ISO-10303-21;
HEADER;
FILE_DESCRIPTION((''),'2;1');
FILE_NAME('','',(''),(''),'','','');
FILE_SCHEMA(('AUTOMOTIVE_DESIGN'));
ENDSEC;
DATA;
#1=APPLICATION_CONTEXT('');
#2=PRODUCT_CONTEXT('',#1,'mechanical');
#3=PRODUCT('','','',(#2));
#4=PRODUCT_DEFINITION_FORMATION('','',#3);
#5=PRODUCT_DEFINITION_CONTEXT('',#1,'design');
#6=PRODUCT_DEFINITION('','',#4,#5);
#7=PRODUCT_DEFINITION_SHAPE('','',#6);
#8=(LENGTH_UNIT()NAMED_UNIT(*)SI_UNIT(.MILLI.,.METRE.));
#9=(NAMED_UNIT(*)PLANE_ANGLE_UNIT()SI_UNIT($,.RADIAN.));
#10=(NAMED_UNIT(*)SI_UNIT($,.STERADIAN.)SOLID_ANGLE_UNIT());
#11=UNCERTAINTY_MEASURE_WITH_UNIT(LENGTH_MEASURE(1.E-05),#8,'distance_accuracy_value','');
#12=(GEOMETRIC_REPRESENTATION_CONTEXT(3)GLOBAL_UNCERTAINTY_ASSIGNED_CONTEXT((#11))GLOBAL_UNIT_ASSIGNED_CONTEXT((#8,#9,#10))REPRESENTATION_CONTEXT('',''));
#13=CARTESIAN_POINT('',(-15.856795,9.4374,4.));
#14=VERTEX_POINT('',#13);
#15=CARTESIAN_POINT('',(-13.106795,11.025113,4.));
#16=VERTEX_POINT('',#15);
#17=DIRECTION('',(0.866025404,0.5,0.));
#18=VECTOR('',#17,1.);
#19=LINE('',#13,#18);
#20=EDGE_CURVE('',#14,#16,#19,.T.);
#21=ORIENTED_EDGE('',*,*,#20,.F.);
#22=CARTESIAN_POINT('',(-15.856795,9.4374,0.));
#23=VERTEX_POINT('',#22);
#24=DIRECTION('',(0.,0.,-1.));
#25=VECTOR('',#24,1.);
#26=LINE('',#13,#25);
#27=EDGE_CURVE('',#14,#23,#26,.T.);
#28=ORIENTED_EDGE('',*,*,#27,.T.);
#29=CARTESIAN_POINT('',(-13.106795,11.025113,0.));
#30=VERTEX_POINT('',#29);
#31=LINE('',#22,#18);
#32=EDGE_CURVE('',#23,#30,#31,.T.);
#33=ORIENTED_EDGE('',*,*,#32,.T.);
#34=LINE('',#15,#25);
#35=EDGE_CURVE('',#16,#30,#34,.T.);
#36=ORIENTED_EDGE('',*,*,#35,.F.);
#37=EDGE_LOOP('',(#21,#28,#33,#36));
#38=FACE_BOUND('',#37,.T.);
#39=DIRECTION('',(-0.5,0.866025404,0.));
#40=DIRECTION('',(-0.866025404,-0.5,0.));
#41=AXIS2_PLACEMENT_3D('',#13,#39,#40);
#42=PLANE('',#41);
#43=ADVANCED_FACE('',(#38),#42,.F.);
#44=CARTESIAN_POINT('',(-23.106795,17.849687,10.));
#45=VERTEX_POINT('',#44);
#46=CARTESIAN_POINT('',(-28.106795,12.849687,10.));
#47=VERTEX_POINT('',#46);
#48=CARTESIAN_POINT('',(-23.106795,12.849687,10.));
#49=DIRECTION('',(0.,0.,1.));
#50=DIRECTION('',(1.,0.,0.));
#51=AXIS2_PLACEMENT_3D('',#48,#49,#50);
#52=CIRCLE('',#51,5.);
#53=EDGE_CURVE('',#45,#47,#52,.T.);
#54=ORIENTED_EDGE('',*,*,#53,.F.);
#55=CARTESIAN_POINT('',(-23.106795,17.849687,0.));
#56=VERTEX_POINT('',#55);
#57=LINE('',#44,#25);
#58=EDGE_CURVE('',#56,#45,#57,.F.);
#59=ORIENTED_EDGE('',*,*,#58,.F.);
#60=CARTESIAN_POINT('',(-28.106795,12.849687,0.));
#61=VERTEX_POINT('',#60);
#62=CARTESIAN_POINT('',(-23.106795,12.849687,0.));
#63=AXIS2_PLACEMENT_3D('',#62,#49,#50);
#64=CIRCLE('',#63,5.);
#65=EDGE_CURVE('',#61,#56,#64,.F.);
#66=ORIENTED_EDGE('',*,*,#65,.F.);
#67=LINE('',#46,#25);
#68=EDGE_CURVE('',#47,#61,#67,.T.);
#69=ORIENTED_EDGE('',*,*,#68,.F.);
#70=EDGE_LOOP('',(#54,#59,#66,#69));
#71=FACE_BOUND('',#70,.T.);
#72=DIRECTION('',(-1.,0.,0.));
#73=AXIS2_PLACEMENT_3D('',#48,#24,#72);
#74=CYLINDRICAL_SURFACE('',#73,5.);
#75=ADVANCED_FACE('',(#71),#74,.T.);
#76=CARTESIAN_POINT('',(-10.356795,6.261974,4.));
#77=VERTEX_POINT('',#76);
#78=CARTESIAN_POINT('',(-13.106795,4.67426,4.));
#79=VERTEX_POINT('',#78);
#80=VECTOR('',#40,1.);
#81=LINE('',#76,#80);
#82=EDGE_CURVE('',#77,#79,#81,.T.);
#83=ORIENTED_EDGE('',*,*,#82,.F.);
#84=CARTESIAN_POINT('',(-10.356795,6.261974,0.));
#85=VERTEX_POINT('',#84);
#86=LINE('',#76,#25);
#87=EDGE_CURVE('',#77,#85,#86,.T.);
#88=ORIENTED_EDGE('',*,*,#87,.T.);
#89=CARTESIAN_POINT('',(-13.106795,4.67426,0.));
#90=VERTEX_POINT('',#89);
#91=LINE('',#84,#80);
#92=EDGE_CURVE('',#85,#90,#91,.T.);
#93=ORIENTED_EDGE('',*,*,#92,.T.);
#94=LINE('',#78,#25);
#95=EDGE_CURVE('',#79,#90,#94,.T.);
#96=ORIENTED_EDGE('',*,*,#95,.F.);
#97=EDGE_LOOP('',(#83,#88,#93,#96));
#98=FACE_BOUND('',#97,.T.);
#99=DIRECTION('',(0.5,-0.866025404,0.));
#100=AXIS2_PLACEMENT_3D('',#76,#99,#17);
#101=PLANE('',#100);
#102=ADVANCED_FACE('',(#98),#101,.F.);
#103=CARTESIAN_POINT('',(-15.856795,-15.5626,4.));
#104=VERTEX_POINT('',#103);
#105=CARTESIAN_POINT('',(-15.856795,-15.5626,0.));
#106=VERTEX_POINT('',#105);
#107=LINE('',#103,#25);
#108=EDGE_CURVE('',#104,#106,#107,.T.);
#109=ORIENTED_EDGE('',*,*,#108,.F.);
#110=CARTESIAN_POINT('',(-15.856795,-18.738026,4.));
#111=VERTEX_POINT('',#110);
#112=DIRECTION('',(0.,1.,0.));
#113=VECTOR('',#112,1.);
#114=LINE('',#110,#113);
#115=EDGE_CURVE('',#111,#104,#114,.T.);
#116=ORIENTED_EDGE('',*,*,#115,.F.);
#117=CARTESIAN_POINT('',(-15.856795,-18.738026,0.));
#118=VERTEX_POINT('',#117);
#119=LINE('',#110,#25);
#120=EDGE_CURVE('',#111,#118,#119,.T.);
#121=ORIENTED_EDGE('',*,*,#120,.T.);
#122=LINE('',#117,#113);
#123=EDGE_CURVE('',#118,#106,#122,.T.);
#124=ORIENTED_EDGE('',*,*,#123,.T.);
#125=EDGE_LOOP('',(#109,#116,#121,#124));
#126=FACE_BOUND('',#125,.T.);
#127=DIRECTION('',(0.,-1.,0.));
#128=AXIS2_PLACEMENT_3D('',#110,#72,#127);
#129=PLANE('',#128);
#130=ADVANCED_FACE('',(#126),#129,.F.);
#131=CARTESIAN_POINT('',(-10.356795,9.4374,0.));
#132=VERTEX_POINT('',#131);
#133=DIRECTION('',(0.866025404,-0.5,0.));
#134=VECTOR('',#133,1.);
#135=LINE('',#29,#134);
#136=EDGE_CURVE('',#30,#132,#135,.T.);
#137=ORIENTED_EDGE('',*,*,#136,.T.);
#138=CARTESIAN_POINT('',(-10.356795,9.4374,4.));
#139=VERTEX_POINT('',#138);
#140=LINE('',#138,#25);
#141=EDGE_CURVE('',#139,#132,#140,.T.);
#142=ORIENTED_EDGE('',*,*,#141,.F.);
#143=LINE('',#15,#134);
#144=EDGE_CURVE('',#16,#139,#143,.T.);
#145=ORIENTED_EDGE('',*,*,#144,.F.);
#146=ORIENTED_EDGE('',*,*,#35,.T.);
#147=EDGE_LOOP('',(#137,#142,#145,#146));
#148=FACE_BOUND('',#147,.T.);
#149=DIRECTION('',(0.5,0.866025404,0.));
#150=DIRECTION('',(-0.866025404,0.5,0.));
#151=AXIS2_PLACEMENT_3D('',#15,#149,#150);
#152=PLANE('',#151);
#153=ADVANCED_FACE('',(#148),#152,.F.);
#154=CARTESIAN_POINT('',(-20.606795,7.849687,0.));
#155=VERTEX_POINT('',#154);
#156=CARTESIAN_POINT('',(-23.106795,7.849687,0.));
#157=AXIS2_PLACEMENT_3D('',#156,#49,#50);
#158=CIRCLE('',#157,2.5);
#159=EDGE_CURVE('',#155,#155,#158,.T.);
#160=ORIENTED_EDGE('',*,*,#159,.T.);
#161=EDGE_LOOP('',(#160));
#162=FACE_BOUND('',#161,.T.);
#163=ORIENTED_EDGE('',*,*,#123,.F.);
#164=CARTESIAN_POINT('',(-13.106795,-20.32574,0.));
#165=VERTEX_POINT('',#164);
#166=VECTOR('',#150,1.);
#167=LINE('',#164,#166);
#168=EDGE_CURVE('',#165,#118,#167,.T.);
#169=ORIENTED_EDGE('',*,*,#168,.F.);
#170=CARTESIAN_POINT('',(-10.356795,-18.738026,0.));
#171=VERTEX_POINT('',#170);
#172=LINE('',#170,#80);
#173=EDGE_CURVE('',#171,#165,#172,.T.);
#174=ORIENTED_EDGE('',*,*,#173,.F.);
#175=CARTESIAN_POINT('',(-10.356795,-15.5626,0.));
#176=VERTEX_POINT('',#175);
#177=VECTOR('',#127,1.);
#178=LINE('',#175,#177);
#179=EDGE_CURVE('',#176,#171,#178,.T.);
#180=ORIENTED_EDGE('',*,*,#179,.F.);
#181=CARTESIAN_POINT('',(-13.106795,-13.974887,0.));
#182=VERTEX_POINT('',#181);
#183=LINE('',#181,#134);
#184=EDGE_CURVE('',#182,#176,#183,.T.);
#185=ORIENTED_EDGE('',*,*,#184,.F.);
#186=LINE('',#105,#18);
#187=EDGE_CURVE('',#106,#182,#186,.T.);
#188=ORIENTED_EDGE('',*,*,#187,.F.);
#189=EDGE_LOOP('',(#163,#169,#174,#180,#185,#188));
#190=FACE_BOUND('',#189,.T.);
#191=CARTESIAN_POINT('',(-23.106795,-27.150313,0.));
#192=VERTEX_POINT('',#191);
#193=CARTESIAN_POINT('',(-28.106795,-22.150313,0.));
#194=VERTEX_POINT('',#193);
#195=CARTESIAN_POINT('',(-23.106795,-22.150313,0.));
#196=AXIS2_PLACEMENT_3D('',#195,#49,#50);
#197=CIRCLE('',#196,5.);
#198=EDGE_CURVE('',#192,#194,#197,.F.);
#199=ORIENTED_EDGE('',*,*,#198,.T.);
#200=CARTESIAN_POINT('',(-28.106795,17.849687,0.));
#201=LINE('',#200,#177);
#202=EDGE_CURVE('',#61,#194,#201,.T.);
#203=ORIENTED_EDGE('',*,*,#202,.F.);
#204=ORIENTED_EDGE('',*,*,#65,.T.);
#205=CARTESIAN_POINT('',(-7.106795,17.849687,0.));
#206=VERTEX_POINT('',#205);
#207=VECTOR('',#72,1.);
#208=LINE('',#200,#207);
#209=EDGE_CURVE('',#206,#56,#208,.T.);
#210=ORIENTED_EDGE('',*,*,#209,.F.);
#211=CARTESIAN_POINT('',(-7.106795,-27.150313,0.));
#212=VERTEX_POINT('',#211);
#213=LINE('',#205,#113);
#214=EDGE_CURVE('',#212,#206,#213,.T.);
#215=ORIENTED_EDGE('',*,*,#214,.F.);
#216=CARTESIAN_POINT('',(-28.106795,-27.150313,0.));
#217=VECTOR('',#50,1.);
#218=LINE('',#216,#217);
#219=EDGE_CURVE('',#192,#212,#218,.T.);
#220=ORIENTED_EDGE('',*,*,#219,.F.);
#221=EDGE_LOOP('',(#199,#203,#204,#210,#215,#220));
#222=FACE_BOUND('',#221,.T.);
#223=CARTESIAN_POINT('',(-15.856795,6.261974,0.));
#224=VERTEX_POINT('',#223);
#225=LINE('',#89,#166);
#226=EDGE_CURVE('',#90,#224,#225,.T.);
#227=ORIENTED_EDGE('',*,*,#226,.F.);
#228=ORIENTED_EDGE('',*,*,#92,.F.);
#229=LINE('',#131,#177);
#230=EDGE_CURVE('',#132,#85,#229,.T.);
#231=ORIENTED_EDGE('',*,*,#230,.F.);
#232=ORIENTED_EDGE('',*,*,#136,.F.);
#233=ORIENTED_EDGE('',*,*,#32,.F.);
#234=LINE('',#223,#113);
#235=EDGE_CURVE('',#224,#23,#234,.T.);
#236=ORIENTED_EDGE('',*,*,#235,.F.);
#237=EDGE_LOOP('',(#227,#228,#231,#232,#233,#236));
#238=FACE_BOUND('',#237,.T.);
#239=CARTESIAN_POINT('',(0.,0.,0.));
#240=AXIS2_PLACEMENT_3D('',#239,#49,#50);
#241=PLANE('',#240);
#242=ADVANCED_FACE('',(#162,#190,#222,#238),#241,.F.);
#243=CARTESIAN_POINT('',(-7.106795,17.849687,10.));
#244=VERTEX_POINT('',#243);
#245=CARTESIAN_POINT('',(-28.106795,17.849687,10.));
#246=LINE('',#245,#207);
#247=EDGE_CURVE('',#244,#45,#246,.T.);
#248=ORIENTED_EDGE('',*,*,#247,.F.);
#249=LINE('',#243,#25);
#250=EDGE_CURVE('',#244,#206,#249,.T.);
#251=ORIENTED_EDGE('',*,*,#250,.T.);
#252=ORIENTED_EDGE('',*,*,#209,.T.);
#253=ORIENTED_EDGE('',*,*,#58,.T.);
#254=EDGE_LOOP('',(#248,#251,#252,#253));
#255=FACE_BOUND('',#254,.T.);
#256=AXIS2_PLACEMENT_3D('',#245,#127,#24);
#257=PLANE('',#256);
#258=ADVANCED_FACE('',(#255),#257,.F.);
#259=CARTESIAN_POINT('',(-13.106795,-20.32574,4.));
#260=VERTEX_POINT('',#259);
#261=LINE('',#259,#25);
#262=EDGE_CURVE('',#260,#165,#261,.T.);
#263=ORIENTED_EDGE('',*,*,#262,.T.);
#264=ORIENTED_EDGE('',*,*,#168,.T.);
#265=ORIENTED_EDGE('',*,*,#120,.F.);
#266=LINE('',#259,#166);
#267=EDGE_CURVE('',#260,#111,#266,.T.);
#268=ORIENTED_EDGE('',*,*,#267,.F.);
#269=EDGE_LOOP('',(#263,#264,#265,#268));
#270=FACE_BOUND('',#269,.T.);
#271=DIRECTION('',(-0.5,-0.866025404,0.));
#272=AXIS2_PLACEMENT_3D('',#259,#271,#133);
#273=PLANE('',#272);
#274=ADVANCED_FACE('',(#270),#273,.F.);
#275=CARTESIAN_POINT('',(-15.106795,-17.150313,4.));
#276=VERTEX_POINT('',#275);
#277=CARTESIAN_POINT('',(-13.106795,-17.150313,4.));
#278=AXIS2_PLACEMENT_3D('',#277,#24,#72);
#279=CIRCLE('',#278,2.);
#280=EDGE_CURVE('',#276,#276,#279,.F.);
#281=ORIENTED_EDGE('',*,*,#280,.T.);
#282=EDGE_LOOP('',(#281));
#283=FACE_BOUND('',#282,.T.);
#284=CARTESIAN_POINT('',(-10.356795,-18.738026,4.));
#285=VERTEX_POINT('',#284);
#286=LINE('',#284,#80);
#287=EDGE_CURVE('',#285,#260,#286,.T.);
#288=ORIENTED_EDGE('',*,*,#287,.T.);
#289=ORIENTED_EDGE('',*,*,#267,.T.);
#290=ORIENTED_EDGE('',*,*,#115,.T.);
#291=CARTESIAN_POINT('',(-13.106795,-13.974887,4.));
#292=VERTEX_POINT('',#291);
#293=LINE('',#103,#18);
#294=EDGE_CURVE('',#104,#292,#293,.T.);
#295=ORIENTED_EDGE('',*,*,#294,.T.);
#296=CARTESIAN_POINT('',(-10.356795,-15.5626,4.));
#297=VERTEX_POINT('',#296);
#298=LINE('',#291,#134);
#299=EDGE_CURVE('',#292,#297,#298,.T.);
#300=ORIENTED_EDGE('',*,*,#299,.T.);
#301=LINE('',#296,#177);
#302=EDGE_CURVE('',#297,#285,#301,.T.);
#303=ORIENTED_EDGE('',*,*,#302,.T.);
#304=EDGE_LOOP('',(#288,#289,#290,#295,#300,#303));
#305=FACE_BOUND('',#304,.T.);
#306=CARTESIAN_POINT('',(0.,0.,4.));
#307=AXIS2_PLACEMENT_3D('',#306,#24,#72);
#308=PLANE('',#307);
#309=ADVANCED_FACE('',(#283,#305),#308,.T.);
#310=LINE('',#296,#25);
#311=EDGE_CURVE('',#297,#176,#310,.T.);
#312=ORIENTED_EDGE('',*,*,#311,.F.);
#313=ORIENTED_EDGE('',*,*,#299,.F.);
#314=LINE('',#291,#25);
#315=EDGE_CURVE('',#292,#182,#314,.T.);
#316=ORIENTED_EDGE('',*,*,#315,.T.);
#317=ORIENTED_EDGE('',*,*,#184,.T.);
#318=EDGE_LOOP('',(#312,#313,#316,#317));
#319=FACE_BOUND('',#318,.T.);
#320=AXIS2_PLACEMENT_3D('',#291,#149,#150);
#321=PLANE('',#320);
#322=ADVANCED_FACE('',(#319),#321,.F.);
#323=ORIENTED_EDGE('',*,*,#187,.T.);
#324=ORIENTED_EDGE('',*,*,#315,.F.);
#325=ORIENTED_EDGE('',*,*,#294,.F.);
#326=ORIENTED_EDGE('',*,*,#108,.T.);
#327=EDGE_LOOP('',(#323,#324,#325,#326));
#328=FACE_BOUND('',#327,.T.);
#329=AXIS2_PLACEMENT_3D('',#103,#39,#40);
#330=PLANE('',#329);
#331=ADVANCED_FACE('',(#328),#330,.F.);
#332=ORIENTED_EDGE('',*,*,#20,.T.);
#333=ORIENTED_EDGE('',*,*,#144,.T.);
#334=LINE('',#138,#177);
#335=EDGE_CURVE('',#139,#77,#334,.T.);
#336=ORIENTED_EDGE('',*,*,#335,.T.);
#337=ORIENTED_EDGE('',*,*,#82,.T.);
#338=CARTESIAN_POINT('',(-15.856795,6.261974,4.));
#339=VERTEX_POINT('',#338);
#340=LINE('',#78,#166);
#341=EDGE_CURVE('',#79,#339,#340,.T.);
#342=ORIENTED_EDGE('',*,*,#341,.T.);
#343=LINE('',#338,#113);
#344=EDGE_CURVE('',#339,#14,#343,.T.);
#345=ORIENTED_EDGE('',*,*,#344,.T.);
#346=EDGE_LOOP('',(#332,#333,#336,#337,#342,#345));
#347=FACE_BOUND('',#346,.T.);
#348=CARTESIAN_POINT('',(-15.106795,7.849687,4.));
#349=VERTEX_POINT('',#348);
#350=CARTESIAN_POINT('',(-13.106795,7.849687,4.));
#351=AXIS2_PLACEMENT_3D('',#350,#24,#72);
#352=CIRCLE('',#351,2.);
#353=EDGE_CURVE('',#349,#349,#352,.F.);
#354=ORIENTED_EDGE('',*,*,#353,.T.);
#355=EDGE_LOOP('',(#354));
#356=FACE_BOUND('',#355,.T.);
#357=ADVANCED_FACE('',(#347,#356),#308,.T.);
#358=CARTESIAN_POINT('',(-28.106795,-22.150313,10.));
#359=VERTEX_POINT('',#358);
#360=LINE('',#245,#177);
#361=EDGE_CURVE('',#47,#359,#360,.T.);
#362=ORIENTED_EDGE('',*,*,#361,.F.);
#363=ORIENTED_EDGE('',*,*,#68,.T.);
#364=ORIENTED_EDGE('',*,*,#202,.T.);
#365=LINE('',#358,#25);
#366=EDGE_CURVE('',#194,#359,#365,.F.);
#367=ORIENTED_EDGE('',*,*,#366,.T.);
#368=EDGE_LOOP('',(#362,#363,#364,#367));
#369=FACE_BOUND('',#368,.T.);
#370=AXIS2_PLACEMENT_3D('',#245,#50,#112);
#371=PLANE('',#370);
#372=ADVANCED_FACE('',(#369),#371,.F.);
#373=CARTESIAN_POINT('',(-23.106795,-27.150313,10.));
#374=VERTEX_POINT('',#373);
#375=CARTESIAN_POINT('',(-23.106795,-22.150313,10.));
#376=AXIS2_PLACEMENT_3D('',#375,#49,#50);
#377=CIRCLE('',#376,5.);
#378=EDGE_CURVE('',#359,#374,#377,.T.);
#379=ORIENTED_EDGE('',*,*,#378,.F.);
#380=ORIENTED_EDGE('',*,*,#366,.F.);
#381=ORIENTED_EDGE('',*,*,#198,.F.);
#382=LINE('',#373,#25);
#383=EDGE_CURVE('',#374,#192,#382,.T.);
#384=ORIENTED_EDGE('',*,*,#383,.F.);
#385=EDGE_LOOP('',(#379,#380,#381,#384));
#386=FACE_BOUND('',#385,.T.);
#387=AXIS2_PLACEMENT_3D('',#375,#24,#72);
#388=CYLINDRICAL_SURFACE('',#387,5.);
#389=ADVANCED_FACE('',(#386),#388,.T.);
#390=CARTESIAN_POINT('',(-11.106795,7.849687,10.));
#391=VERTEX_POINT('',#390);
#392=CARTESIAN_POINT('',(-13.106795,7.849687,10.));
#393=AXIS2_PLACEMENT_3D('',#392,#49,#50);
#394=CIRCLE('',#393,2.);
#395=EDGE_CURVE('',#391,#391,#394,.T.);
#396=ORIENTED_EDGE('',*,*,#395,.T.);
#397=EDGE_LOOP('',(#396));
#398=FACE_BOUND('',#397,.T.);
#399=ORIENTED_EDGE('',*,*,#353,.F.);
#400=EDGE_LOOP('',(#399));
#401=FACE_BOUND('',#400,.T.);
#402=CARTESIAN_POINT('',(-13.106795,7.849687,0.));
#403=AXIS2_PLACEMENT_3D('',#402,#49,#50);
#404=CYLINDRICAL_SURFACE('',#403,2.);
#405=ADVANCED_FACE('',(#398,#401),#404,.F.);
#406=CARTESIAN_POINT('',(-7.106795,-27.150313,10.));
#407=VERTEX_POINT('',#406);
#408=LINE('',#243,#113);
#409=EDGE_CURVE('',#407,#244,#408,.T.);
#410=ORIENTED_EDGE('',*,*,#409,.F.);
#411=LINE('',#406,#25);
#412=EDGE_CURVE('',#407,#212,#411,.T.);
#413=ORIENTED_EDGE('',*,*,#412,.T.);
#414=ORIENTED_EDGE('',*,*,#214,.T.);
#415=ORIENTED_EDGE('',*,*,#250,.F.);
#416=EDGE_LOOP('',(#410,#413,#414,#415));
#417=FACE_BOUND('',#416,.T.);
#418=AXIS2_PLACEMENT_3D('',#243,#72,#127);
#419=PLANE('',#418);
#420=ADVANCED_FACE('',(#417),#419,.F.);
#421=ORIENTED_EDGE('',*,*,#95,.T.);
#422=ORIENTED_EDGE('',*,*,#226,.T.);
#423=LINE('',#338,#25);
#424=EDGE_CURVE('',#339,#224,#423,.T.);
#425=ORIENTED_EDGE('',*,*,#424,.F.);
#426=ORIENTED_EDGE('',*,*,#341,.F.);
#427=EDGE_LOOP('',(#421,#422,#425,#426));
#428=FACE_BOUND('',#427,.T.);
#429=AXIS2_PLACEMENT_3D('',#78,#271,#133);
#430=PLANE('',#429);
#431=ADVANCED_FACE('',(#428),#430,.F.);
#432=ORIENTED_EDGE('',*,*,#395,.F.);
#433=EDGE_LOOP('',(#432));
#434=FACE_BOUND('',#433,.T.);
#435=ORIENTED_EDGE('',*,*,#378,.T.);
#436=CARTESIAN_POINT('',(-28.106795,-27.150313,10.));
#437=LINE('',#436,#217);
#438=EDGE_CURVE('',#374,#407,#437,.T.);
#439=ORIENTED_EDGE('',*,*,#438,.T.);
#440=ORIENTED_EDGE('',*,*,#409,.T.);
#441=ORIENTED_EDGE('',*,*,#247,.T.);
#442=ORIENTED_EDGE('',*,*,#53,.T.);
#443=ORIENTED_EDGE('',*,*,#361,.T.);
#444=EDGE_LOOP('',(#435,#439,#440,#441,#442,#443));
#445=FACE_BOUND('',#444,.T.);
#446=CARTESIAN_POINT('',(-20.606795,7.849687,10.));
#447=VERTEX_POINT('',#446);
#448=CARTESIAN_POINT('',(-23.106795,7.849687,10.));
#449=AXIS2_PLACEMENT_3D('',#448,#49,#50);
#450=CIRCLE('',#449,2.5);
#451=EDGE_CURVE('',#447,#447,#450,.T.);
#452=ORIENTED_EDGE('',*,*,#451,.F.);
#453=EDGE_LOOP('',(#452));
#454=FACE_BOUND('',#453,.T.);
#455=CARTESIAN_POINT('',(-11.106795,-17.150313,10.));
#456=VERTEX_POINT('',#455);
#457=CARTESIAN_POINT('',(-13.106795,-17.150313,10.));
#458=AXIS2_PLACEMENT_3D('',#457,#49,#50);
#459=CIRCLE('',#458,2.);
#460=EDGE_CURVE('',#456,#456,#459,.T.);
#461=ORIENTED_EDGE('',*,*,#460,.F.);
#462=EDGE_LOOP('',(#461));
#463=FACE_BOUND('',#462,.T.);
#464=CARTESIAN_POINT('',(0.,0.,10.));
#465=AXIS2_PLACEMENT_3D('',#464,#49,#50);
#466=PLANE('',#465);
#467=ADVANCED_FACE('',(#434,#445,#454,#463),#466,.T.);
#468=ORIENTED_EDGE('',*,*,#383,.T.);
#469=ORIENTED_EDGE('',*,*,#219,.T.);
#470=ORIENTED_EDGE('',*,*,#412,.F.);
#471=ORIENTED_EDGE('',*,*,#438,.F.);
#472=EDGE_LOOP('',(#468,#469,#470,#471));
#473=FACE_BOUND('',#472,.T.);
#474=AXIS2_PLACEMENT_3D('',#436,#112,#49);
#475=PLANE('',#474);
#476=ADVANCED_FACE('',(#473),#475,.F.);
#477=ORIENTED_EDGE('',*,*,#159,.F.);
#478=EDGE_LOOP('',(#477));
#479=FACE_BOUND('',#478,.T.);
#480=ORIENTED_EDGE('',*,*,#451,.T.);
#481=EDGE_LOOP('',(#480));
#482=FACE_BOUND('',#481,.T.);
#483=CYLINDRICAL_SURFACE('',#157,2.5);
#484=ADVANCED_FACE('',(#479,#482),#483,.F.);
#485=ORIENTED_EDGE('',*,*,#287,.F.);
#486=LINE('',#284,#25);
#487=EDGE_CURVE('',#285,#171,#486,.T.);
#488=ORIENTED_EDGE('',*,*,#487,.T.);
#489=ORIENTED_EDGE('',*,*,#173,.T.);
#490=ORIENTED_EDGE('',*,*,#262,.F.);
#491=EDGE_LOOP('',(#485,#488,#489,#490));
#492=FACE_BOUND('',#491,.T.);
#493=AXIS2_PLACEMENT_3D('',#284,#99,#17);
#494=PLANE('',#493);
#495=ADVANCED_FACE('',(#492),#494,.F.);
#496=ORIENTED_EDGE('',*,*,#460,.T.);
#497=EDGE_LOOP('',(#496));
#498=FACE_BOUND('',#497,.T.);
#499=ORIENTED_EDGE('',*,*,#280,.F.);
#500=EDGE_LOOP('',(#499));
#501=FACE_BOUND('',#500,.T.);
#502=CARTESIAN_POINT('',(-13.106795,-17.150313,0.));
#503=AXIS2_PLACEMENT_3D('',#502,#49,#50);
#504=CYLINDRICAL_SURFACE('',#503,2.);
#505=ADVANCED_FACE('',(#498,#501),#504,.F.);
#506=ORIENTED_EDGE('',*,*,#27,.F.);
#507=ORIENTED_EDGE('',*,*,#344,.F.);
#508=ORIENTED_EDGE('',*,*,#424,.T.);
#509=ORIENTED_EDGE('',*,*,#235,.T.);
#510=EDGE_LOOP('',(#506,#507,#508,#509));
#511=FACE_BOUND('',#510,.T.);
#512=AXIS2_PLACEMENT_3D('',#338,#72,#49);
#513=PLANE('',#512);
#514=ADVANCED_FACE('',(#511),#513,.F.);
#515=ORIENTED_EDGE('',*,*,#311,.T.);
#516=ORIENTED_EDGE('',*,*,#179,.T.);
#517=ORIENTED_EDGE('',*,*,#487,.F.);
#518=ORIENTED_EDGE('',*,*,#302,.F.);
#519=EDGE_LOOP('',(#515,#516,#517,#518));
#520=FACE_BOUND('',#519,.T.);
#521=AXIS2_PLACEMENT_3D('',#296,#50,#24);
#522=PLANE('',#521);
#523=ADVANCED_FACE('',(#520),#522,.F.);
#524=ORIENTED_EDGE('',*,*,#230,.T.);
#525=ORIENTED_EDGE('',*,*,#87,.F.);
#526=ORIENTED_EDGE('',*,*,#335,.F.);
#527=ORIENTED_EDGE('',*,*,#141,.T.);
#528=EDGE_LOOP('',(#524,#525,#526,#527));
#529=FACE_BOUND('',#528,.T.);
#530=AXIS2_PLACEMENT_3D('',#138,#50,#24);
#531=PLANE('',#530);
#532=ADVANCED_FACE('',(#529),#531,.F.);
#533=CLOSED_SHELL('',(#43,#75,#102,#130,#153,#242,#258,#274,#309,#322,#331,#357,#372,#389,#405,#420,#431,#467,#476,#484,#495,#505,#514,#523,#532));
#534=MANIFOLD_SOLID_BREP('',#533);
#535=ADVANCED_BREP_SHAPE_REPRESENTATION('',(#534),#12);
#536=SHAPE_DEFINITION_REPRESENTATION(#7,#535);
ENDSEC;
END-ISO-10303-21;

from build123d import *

# Parameters (mm, degrees)
ESQUISSE1_W             = 21
ESQUISSE1_H             = 45
BOSS_EXTRU_1_DEPTH      = 10
ESQUISSE2_R             = 2.5
ENL_V_MAT_EXTRU_1_DEPTH = 10
ESQUISSE4_R             = 2
ENL_V_MAT_EXTRU_3_DEPTH = 10
CONG_1_R                = 5
ENL_V_MAT_EXTRU_6_DEPTH = 4


with BuildPart() as part:
    # Esquisse1 → Boss.-Extru.1 (new body)
    with BuildSketch(Plane.XY):
        with Locations((-17.606794518, -4.650313152)):
            Rectangle(ESQUISSE1_W, ESQUISSE1_H)
    extrude(amount=BOSS_EXTRU_1_DEPTH)

    # Esquisse2 → Enlèv. mat.-Extru.1 (cut)
    with BuildSketch(Plane.XY.offset(10)):
        with Locations((-23.106794518, 7.849686848)):
            Circle(ESQUISSE2_R)
    extrude(amount=-ENL_V_MAT_EXTRU_1_DEPTH, mode=Mode.SUBTRACT)

    # Esquisse4 → Enlèv. mat.-Extru.3 (cut)
    with BuildSketch(Plane.XY.offset(10)):
        with Locations((-13.106794518, 7.849686848)):
            Circle(ESQUISSE4_R)
        with Locations((-13.106794518, -17.150313152)):
            Circle(ESQUISSE4_R)
    extrude(amount=-ENL_V_MAT_EXTRU_3_DEPTH, mode=Mode.SUBTRACT)

    # Congé1
    cong_1_edges = [part.edges().sort_by_distance(p)[0] for p in [
        (-28.106794518, 17.849686848, 5),
        (-28.106794518, -27.150313152, 5),
    ]]
    fillet(cong_1_edges, radius=CONG_1_R)

    # Esquisse7 → Enlèv. mat.-Extru.6 (cut)
    with BuildSketch(Plane(origin=(0, 0, 0), x_dir=(-1, 0, 0), z_dir=(0, 0, -1))):
        Polygon((15.856794518, 9.437400088), (13.106794518, 11.025113328), (10.356794518, 9.437400088), (10.356794518, 6.261973607), (13.106794518, 4.674260367), (15.856794518, 6.261973607), align=None)
        Polygon((15.856794518, -15.562599912), (13.106794518, -13.974886672), (10.356794518, -15.562599912), (10.356794518, -18.738026393), (13.106794518, -20.325739633), (15.856794518, -18.738026393), align=None)
    extrude(amount=-ENL_V_MAT_EXTRU_6_DEPTH, mode=Mode.SUBTRACT)


solid = part.part
